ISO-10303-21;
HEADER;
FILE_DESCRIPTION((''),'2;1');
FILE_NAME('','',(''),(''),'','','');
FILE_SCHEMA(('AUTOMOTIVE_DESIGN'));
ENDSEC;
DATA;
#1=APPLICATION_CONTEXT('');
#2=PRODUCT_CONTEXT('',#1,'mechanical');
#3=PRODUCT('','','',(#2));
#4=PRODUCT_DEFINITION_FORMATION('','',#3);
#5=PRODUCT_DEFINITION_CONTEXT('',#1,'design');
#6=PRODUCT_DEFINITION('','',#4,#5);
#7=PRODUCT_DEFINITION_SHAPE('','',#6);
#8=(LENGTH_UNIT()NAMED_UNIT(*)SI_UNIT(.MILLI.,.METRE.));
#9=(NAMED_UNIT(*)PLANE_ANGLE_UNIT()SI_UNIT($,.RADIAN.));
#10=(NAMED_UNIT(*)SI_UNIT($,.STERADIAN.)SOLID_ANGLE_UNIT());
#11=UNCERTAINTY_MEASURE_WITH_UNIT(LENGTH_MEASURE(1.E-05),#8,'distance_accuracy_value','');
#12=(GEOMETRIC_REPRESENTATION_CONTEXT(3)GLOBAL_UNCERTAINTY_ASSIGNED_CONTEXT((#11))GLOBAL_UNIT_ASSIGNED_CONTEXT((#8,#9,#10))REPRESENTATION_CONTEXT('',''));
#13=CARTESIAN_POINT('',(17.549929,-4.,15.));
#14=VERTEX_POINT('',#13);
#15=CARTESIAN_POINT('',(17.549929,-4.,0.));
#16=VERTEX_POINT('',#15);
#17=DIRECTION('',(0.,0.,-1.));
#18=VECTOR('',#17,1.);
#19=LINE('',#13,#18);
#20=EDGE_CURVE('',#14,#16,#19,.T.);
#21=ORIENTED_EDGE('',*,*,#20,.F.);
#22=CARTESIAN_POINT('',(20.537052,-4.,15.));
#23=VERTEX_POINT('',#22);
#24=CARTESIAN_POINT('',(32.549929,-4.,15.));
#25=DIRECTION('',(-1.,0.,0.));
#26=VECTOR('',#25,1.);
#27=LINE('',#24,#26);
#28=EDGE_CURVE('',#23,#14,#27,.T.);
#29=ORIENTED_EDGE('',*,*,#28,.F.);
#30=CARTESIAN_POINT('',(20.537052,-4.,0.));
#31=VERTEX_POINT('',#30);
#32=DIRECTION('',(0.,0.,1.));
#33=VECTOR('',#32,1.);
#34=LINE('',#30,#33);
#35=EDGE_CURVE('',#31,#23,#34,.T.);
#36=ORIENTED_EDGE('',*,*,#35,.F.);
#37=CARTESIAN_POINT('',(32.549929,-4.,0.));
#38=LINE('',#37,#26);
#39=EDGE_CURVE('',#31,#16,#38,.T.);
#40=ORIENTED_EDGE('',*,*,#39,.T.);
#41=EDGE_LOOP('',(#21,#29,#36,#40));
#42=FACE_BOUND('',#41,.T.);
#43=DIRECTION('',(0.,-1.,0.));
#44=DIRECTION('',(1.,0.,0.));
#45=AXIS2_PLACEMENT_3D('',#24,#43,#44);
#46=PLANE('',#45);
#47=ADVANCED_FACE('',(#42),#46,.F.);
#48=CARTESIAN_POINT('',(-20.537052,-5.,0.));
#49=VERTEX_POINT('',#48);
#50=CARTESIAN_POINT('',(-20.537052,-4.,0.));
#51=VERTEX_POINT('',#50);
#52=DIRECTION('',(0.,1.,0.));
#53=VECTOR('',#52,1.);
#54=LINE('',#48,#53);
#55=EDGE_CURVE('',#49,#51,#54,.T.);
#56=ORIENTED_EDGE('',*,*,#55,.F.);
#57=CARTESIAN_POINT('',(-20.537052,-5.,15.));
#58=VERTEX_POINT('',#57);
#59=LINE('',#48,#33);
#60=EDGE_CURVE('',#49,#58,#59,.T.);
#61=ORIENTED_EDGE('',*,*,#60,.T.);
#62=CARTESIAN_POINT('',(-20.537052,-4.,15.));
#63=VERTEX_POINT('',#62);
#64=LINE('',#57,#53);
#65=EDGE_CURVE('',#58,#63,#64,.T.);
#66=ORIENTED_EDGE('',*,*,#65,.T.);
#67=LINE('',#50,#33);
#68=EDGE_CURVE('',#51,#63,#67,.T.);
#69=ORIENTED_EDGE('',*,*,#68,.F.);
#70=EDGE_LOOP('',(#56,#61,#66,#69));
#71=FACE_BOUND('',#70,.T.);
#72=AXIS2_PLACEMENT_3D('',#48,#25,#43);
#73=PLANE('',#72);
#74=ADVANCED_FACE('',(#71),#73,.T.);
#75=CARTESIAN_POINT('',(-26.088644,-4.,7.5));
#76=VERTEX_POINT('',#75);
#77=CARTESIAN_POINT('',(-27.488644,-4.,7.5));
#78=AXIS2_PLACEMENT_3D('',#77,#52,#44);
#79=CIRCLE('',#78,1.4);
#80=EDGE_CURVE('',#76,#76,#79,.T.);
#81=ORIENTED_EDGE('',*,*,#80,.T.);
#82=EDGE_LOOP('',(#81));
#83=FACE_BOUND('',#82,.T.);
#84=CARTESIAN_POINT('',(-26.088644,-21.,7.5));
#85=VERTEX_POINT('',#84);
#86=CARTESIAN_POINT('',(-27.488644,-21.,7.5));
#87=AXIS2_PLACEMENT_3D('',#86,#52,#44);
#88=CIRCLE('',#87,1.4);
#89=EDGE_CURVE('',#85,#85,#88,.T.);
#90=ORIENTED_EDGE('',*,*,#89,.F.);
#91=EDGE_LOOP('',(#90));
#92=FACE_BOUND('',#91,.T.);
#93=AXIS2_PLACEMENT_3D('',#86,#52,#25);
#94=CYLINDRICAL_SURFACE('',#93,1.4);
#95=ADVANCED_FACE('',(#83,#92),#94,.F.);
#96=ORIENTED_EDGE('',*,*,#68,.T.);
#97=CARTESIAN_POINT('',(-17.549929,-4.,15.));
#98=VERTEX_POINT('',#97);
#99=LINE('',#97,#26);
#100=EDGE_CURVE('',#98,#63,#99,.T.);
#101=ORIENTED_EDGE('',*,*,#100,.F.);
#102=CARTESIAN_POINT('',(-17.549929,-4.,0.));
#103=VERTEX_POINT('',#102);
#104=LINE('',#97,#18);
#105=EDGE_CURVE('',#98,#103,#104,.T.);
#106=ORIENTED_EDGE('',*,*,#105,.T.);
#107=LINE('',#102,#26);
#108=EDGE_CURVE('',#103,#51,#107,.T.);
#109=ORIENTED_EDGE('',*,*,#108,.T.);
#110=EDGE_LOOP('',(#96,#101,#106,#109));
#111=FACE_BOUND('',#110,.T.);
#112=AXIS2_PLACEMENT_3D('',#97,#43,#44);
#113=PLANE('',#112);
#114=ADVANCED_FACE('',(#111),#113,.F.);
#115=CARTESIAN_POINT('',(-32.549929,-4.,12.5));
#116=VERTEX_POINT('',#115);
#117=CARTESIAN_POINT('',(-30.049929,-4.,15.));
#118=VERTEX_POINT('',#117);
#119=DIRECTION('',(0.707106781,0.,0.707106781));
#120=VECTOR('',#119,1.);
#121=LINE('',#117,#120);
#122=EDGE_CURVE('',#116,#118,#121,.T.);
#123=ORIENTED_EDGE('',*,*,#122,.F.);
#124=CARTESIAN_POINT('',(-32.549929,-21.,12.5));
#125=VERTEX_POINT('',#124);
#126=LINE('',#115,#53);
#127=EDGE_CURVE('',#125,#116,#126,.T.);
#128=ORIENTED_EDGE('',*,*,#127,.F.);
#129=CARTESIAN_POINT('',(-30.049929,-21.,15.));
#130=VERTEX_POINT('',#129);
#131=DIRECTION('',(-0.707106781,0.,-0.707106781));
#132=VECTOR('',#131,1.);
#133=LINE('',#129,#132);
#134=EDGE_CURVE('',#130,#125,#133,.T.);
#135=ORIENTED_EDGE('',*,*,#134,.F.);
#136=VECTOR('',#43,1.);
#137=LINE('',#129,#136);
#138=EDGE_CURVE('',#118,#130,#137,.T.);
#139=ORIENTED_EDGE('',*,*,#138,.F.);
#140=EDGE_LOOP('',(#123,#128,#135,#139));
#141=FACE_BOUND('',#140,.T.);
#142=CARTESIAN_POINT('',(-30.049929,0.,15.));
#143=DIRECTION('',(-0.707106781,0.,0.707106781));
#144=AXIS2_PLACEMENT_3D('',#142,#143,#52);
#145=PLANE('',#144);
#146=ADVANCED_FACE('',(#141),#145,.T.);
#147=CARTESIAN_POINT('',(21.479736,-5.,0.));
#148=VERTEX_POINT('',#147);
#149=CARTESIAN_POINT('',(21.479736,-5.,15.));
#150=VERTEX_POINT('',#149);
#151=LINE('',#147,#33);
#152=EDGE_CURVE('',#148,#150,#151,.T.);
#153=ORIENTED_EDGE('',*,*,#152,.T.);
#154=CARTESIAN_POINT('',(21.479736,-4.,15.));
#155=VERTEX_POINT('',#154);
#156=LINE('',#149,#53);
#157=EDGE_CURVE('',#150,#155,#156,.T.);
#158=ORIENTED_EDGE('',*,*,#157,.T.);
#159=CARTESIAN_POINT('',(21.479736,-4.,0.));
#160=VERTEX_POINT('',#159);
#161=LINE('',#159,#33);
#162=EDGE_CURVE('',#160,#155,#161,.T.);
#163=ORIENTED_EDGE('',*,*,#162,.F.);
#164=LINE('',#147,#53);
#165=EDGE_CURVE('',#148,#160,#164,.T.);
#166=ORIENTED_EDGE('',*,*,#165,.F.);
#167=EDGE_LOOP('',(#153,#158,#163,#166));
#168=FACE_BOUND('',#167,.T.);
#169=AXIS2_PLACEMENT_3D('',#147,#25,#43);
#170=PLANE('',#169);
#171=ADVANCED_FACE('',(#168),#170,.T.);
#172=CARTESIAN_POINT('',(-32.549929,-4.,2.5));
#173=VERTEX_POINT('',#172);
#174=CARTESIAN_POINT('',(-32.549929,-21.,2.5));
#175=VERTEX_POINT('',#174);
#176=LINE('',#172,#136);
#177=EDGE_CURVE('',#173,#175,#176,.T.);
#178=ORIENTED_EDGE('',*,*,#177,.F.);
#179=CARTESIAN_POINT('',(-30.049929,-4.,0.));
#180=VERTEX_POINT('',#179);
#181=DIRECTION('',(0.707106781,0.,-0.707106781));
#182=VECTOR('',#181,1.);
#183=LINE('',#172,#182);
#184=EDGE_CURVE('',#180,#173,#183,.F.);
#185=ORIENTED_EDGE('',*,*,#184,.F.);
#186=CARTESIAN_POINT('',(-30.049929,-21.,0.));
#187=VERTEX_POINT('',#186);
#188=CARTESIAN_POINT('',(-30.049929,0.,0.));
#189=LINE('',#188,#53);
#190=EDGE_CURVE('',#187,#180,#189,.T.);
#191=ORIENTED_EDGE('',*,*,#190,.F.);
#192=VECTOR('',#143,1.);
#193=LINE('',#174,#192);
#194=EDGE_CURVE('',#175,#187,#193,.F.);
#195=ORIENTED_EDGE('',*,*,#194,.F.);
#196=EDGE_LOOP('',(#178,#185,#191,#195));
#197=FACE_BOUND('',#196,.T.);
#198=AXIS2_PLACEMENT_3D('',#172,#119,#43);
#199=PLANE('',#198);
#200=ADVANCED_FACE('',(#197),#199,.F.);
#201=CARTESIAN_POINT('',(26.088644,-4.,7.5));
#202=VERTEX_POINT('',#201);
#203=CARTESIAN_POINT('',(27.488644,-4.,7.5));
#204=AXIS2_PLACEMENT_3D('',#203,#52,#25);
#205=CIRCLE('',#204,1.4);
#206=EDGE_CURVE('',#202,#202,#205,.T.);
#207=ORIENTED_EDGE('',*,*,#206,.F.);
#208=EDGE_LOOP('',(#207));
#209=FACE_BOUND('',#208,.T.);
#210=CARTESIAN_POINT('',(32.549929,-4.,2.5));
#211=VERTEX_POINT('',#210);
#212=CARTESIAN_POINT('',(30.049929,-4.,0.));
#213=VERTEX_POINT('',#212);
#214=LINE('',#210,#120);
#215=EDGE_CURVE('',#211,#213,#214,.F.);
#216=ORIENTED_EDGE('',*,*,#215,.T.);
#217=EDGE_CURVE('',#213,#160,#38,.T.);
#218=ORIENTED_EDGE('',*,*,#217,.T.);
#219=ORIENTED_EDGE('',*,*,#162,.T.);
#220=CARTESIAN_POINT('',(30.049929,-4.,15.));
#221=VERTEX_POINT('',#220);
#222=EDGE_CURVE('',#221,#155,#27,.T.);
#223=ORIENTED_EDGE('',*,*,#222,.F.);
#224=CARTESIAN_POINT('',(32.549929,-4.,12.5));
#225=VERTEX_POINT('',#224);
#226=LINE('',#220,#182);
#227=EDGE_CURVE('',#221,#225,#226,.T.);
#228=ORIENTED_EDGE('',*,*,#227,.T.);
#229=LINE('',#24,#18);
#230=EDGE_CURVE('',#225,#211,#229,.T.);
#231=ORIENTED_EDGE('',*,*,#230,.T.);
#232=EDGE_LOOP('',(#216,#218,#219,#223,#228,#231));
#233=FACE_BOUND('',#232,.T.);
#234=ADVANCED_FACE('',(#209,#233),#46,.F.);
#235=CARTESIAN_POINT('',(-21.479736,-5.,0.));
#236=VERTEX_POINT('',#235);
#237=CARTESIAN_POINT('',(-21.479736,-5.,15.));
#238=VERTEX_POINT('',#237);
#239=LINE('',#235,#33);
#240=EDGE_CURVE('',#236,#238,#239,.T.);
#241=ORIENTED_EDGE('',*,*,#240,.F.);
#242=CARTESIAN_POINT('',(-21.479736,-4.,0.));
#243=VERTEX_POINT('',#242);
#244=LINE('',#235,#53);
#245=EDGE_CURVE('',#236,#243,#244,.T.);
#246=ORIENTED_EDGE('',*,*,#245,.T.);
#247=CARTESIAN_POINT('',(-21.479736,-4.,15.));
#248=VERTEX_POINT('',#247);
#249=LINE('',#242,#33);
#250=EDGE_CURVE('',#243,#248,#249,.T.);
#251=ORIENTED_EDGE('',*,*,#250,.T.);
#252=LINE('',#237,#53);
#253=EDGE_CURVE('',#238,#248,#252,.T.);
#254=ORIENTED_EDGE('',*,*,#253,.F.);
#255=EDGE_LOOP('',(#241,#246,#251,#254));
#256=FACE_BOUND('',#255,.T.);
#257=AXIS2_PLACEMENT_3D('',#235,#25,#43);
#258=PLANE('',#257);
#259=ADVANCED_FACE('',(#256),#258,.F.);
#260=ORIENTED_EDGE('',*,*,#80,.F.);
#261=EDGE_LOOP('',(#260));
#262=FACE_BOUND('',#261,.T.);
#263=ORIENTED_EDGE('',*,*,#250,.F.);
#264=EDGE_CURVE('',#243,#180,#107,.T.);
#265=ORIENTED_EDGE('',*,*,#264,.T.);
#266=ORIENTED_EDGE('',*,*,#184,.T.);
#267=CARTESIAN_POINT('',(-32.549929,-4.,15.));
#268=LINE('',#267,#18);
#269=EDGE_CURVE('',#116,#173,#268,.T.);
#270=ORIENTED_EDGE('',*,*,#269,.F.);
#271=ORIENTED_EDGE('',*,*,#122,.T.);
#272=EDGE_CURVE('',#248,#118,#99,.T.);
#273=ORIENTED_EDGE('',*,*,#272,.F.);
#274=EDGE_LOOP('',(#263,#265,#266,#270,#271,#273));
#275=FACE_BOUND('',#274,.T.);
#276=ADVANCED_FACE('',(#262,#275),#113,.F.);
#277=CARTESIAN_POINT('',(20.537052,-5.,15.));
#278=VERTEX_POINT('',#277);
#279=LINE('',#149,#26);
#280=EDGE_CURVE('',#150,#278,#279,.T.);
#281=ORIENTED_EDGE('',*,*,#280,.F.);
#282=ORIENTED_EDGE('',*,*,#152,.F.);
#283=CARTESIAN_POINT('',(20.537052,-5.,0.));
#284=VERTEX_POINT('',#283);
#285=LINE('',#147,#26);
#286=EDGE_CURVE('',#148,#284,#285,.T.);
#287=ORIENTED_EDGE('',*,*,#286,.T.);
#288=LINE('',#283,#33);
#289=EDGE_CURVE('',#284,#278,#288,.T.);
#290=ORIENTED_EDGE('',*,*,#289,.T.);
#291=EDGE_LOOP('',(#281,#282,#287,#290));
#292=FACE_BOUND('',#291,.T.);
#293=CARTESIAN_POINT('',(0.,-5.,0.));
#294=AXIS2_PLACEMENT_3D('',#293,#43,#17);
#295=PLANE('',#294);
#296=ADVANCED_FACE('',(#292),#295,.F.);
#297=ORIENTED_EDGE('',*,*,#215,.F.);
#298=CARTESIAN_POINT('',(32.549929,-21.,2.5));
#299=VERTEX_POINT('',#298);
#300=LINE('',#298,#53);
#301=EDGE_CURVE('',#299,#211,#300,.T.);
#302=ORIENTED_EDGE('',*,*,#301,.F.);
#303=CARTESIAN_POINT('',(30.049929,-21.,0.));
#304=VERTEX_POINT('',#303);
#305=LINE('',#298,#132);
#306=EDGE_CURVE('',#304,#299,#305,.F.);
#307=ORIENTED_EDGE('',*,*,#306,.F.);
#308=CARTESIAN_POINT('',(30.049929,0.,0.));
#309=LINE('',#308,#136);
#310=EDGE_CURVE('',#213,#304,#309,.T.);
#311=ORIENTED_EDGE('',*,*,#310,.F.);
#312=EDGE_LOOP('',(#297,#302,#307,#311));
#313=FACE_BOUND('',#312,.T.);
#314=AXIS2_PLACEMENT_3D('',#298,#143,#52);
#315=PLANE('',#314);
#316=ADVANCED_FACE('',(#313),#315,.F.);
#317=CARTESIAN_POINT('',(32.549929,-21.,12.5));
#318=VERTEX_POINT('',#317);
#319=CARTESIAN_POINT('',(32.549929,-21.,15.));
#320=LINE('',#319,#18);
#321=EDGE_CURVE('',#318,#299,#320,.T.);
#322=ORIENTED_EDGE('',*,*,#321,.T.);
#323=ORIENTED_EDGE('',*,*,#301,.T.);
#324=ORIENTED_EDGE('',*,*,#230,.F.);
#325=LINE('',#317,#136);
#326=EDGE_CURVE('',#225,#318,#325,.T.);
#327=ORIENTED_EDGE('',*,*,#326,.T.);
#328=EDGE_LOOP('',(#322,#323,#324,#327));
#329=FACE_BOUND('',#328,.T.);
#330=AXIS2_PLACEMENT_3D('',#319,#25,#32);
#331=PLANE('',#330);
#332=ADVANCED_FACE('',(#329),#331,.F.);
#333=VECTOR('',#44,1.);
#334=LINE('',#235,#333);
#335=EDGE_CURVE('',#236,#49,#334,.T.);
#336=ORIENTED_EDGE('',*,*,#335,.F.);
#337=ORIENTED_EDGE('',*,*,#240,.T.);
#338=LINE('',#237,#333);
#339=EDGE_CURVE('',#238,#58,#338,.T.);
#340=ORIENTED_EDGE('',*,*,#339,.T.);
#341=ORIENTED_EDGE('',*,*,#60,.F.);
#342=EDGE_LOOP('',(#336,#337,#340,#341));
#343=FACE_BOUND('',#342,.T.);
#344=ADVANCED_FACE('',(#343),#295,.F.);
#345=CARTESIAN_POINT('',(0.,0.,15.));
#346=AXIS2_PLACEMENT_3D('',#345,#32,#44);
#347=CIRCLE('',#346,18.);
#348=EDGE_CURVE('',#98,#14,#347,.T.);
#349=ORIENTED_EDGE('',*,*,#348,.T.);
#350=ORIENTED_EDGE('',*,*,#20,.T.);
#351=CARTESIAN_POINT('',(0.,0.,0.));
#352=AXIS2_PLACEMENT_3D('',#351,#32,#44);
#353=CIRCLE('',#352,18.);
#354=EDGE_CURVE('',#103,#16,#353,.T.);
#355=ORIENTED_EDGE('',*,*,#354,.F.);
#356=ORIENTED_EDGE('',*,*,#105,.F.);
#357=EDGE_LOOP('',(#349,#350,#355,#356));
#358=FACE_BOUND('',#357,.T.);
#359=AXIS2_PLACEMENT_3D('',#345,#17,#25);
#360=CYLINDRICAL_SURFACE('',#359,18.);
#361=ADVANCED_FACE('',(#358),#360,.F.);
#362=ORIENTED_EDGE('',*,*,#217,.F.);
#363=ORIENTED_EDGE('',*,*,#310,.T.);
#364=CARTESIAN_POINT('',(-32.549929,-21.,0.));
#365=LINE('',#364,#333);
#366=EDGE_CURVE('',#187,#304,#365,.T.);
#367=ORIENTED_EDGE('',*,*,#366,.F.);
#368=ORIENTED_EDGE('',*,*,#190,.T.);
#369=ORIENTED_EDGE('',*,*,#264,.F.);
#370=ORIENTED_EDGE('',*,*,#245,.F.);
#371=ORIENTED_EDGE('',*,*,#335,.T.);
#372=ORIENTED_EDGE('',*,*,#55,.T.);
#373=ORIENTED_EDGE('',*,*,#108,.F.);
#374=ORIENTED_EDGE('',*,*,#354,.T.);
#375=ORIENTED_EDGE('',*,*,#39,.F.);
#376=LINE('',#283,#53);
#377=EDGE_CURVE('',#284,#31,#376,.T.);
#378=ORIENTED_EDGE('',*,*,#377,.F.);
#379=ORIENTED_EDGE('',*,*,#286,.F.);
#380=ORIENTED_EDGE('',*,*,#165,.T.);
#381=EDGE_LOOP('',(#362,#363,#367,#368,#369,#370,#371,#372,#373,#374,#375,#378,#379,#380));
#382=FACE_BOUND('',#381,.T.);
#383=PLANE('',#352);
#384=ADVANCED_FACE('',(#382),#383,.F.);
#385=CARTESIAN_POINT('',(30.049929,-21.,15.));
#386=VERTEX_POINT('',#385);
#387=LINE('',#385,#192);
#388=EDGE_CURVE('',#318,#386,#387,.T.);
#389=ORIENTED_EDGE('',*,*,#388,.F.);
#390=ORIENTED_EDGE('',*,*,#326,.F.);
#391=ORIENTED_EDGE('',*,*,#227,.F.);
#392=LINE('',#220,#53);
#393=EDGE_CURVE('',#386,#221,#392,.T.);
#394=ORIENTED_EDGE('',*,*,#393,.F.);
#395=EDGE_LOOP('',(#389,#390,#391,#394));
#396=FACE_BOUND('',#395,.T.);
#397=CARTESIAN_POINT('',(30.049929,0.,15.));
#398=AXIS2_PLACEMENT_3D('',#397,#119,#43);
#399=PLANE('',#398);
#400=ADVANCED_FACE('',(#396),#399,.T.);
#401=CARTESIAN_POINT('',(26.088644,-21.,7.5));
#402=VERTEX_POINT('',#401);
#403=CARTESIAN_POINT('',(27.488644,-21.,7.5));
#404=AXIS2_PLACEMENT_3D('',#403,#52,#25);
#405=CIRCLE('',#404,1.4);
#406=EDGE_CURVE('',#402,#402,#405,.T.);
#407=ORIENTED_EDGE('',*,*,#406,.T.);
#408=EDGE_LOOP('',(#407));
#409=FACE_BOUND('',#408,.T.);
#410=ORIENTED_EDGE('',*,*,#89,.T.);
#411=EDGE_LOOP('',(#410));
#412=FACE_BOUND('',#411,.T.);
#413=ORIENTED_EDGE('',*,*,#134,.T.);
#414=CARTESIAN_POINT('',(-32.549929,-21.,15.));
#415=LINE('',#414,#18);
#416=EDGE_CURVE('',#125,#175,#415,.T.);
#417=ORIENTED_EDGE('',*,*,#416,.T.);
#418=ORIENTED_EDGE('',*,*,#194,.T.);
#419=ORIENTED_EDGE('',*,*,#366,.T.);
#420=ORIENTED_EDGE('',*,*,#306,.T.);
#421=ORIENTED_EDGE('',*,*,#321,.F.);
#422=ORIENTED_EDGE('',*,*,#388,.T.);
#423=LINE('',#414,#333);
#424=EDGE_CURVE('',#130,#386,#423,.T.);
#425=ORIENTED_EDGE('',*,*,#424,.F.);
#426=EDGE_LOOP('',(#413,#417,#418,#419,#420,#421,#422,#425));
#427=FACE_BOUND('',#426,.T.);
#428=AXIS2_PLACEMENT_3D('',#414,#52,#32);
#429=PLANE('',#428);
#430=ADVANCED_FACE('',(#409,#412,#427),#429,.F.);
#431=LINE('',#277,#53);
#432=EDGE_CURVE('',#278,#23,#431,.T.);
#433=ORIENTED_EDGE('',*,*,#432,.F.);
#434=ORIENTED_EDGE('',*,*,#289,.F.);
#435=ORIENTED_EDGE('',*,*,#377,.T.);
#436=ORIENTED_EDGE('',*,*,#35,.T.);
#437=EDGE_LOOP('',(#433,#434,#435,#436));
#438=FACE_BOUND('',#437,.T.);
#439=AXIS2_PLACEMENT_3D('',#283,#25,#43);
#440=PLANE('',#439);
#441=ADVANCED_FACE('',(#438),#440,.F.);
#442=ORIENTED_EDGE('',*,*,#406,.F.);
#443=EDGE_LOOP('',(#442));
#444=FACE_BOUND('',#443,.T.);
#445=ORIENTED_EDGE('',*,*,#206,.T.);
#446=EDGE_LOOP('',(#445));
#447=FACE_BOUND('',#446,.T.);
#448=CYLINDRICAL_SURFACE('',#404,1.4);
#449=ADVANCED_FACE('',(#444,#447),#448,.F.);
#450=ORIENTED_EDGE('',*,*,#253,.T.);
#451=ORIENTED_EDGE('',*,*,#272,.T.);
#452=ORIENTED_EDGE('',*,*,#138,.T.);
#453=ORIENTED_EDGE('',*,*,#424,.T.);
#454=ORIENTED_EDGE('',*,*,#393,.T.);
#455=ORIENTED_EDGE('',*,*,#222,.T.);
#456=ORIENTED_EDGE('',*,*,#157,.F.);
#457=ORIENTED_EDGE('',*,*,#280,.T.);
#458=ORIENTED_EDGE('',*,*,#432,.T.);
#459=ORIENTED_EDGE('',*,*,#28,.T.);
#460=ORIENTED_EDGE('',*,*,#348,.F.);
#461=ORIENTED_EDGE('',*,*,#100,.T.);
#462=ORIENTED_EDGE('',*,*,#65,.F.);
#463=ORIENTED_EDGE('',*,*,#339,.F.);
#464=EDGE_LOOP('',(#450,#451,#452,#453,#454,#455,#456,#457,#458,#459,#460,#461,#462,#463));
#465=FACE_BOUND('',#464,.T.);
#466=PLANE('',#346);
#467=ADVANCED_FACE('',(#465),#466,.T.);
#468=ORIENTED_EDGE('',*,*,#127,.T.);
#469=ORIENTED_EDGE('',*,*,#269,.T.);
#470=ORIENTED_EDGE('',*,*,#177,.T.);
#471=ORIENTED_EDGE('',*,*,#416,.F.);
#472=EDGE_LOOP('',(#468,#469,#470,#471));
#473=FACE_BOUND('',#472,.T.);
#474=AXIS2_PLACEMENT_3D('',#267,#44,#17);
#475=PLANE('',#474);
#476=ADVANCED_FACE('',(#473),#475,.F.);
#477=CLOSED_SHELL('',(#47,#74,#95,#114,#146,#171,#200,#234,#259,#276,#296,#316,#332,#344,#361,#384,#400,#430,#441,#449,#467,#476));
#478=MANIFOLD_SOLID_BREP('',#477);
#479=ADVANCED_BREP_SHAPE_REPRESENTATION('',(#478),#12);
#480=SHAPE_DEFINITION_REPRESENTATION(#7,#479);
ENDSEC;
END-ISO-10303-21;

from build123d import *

# Parameters (mm, degrees)
BOSS_EXTRUDE1_DEPTH = 15
CHAMFER1_SIZE       = 2.5
SKETCH2_R           = 1.4
CUT_EXTRUDE1_DEPTH  = 40.667340007
SKETCH3_W           = 0.942684348
SKETCH3_H           = 15
CUT_EXTRUDE2_DEPTH  = 1


with BuildPart() as part:
    # Sketch1 → Boss-Extrude1 (new body)
    with BuildSketch(Plane.XY):
        with BuildLine():
            Line((-17.549928775, -4), (-32.549928775, -4))
            Line((-32.549928775, -4), (-32.549928775, -21))
            Line((-32.549928775, -21), (32.549928775, -21))
            Line((32.549928775, -21), (32.549928775, -4))
            Line((32.549928775, -4), (17.549928775, -4))
            ThreePointArc((17.549928775, -4), (0, -18), (-17.549928775, -4))
        make_face()
    extrude(amount=BOSS_EXTRUDE1_DEPTH)

    # Chamfer1
    chamfer1_edges = [part.edges().sort_by_distance(p)[0] for p in [
        (-32.549928775, -12.5, 15),
        (32.549928775, -12.5, 15),
        (-32.549928775, -12.5, 0),
        (32.549928775, -12.5, 0),
    ]]
    chamfer(chamfer1_edges, length=CHAMFER1_SIZE)

    # Sketch2 → Cut-Extrude1 (cut, through all)
    with BuildSketch(Plane(origin=(0, -4, 0), x_dir=(1, 0, 0), z_dir=(0, 1, 0))):
        with Locations(Location((27.488644481, -7.5, 0), (0, 0, 180))):
            Circle(SKETCH2_R)
        with Locations((-27.488644481, -7.5)):
            Circle(SKETCH2_R)
    extrude(amount=-CUT_EXTRUDE1_DEPTH, mode=Mode.SUBTRACT)

    # Sketch3 → Cut-Extrude2 (cut)
    with BuildSketch(Plane(origin=(0, -4, 0), x_dir=(1, 0, 0), z_dir=(0, 1, 0))):
        with Locations((-21.008394031, -7.5)):
            Rectangle(SKETCH3_W, SKETCH3_H)
    cut_extrude2 = extrude(amount=-CUT_EXTRUDE2_DEPTH, mode=Mode.SUBTRACT)

    # Mirror1: Cut-Extrude2 across plane
    add(cut_extrude2.mirror(Plane(origin=(0, 0, 0), x_dir=(0, 0, 1), z_dir=(1, 0, 0))), mode=Mode.SUBTRACT)


solid = part.part
